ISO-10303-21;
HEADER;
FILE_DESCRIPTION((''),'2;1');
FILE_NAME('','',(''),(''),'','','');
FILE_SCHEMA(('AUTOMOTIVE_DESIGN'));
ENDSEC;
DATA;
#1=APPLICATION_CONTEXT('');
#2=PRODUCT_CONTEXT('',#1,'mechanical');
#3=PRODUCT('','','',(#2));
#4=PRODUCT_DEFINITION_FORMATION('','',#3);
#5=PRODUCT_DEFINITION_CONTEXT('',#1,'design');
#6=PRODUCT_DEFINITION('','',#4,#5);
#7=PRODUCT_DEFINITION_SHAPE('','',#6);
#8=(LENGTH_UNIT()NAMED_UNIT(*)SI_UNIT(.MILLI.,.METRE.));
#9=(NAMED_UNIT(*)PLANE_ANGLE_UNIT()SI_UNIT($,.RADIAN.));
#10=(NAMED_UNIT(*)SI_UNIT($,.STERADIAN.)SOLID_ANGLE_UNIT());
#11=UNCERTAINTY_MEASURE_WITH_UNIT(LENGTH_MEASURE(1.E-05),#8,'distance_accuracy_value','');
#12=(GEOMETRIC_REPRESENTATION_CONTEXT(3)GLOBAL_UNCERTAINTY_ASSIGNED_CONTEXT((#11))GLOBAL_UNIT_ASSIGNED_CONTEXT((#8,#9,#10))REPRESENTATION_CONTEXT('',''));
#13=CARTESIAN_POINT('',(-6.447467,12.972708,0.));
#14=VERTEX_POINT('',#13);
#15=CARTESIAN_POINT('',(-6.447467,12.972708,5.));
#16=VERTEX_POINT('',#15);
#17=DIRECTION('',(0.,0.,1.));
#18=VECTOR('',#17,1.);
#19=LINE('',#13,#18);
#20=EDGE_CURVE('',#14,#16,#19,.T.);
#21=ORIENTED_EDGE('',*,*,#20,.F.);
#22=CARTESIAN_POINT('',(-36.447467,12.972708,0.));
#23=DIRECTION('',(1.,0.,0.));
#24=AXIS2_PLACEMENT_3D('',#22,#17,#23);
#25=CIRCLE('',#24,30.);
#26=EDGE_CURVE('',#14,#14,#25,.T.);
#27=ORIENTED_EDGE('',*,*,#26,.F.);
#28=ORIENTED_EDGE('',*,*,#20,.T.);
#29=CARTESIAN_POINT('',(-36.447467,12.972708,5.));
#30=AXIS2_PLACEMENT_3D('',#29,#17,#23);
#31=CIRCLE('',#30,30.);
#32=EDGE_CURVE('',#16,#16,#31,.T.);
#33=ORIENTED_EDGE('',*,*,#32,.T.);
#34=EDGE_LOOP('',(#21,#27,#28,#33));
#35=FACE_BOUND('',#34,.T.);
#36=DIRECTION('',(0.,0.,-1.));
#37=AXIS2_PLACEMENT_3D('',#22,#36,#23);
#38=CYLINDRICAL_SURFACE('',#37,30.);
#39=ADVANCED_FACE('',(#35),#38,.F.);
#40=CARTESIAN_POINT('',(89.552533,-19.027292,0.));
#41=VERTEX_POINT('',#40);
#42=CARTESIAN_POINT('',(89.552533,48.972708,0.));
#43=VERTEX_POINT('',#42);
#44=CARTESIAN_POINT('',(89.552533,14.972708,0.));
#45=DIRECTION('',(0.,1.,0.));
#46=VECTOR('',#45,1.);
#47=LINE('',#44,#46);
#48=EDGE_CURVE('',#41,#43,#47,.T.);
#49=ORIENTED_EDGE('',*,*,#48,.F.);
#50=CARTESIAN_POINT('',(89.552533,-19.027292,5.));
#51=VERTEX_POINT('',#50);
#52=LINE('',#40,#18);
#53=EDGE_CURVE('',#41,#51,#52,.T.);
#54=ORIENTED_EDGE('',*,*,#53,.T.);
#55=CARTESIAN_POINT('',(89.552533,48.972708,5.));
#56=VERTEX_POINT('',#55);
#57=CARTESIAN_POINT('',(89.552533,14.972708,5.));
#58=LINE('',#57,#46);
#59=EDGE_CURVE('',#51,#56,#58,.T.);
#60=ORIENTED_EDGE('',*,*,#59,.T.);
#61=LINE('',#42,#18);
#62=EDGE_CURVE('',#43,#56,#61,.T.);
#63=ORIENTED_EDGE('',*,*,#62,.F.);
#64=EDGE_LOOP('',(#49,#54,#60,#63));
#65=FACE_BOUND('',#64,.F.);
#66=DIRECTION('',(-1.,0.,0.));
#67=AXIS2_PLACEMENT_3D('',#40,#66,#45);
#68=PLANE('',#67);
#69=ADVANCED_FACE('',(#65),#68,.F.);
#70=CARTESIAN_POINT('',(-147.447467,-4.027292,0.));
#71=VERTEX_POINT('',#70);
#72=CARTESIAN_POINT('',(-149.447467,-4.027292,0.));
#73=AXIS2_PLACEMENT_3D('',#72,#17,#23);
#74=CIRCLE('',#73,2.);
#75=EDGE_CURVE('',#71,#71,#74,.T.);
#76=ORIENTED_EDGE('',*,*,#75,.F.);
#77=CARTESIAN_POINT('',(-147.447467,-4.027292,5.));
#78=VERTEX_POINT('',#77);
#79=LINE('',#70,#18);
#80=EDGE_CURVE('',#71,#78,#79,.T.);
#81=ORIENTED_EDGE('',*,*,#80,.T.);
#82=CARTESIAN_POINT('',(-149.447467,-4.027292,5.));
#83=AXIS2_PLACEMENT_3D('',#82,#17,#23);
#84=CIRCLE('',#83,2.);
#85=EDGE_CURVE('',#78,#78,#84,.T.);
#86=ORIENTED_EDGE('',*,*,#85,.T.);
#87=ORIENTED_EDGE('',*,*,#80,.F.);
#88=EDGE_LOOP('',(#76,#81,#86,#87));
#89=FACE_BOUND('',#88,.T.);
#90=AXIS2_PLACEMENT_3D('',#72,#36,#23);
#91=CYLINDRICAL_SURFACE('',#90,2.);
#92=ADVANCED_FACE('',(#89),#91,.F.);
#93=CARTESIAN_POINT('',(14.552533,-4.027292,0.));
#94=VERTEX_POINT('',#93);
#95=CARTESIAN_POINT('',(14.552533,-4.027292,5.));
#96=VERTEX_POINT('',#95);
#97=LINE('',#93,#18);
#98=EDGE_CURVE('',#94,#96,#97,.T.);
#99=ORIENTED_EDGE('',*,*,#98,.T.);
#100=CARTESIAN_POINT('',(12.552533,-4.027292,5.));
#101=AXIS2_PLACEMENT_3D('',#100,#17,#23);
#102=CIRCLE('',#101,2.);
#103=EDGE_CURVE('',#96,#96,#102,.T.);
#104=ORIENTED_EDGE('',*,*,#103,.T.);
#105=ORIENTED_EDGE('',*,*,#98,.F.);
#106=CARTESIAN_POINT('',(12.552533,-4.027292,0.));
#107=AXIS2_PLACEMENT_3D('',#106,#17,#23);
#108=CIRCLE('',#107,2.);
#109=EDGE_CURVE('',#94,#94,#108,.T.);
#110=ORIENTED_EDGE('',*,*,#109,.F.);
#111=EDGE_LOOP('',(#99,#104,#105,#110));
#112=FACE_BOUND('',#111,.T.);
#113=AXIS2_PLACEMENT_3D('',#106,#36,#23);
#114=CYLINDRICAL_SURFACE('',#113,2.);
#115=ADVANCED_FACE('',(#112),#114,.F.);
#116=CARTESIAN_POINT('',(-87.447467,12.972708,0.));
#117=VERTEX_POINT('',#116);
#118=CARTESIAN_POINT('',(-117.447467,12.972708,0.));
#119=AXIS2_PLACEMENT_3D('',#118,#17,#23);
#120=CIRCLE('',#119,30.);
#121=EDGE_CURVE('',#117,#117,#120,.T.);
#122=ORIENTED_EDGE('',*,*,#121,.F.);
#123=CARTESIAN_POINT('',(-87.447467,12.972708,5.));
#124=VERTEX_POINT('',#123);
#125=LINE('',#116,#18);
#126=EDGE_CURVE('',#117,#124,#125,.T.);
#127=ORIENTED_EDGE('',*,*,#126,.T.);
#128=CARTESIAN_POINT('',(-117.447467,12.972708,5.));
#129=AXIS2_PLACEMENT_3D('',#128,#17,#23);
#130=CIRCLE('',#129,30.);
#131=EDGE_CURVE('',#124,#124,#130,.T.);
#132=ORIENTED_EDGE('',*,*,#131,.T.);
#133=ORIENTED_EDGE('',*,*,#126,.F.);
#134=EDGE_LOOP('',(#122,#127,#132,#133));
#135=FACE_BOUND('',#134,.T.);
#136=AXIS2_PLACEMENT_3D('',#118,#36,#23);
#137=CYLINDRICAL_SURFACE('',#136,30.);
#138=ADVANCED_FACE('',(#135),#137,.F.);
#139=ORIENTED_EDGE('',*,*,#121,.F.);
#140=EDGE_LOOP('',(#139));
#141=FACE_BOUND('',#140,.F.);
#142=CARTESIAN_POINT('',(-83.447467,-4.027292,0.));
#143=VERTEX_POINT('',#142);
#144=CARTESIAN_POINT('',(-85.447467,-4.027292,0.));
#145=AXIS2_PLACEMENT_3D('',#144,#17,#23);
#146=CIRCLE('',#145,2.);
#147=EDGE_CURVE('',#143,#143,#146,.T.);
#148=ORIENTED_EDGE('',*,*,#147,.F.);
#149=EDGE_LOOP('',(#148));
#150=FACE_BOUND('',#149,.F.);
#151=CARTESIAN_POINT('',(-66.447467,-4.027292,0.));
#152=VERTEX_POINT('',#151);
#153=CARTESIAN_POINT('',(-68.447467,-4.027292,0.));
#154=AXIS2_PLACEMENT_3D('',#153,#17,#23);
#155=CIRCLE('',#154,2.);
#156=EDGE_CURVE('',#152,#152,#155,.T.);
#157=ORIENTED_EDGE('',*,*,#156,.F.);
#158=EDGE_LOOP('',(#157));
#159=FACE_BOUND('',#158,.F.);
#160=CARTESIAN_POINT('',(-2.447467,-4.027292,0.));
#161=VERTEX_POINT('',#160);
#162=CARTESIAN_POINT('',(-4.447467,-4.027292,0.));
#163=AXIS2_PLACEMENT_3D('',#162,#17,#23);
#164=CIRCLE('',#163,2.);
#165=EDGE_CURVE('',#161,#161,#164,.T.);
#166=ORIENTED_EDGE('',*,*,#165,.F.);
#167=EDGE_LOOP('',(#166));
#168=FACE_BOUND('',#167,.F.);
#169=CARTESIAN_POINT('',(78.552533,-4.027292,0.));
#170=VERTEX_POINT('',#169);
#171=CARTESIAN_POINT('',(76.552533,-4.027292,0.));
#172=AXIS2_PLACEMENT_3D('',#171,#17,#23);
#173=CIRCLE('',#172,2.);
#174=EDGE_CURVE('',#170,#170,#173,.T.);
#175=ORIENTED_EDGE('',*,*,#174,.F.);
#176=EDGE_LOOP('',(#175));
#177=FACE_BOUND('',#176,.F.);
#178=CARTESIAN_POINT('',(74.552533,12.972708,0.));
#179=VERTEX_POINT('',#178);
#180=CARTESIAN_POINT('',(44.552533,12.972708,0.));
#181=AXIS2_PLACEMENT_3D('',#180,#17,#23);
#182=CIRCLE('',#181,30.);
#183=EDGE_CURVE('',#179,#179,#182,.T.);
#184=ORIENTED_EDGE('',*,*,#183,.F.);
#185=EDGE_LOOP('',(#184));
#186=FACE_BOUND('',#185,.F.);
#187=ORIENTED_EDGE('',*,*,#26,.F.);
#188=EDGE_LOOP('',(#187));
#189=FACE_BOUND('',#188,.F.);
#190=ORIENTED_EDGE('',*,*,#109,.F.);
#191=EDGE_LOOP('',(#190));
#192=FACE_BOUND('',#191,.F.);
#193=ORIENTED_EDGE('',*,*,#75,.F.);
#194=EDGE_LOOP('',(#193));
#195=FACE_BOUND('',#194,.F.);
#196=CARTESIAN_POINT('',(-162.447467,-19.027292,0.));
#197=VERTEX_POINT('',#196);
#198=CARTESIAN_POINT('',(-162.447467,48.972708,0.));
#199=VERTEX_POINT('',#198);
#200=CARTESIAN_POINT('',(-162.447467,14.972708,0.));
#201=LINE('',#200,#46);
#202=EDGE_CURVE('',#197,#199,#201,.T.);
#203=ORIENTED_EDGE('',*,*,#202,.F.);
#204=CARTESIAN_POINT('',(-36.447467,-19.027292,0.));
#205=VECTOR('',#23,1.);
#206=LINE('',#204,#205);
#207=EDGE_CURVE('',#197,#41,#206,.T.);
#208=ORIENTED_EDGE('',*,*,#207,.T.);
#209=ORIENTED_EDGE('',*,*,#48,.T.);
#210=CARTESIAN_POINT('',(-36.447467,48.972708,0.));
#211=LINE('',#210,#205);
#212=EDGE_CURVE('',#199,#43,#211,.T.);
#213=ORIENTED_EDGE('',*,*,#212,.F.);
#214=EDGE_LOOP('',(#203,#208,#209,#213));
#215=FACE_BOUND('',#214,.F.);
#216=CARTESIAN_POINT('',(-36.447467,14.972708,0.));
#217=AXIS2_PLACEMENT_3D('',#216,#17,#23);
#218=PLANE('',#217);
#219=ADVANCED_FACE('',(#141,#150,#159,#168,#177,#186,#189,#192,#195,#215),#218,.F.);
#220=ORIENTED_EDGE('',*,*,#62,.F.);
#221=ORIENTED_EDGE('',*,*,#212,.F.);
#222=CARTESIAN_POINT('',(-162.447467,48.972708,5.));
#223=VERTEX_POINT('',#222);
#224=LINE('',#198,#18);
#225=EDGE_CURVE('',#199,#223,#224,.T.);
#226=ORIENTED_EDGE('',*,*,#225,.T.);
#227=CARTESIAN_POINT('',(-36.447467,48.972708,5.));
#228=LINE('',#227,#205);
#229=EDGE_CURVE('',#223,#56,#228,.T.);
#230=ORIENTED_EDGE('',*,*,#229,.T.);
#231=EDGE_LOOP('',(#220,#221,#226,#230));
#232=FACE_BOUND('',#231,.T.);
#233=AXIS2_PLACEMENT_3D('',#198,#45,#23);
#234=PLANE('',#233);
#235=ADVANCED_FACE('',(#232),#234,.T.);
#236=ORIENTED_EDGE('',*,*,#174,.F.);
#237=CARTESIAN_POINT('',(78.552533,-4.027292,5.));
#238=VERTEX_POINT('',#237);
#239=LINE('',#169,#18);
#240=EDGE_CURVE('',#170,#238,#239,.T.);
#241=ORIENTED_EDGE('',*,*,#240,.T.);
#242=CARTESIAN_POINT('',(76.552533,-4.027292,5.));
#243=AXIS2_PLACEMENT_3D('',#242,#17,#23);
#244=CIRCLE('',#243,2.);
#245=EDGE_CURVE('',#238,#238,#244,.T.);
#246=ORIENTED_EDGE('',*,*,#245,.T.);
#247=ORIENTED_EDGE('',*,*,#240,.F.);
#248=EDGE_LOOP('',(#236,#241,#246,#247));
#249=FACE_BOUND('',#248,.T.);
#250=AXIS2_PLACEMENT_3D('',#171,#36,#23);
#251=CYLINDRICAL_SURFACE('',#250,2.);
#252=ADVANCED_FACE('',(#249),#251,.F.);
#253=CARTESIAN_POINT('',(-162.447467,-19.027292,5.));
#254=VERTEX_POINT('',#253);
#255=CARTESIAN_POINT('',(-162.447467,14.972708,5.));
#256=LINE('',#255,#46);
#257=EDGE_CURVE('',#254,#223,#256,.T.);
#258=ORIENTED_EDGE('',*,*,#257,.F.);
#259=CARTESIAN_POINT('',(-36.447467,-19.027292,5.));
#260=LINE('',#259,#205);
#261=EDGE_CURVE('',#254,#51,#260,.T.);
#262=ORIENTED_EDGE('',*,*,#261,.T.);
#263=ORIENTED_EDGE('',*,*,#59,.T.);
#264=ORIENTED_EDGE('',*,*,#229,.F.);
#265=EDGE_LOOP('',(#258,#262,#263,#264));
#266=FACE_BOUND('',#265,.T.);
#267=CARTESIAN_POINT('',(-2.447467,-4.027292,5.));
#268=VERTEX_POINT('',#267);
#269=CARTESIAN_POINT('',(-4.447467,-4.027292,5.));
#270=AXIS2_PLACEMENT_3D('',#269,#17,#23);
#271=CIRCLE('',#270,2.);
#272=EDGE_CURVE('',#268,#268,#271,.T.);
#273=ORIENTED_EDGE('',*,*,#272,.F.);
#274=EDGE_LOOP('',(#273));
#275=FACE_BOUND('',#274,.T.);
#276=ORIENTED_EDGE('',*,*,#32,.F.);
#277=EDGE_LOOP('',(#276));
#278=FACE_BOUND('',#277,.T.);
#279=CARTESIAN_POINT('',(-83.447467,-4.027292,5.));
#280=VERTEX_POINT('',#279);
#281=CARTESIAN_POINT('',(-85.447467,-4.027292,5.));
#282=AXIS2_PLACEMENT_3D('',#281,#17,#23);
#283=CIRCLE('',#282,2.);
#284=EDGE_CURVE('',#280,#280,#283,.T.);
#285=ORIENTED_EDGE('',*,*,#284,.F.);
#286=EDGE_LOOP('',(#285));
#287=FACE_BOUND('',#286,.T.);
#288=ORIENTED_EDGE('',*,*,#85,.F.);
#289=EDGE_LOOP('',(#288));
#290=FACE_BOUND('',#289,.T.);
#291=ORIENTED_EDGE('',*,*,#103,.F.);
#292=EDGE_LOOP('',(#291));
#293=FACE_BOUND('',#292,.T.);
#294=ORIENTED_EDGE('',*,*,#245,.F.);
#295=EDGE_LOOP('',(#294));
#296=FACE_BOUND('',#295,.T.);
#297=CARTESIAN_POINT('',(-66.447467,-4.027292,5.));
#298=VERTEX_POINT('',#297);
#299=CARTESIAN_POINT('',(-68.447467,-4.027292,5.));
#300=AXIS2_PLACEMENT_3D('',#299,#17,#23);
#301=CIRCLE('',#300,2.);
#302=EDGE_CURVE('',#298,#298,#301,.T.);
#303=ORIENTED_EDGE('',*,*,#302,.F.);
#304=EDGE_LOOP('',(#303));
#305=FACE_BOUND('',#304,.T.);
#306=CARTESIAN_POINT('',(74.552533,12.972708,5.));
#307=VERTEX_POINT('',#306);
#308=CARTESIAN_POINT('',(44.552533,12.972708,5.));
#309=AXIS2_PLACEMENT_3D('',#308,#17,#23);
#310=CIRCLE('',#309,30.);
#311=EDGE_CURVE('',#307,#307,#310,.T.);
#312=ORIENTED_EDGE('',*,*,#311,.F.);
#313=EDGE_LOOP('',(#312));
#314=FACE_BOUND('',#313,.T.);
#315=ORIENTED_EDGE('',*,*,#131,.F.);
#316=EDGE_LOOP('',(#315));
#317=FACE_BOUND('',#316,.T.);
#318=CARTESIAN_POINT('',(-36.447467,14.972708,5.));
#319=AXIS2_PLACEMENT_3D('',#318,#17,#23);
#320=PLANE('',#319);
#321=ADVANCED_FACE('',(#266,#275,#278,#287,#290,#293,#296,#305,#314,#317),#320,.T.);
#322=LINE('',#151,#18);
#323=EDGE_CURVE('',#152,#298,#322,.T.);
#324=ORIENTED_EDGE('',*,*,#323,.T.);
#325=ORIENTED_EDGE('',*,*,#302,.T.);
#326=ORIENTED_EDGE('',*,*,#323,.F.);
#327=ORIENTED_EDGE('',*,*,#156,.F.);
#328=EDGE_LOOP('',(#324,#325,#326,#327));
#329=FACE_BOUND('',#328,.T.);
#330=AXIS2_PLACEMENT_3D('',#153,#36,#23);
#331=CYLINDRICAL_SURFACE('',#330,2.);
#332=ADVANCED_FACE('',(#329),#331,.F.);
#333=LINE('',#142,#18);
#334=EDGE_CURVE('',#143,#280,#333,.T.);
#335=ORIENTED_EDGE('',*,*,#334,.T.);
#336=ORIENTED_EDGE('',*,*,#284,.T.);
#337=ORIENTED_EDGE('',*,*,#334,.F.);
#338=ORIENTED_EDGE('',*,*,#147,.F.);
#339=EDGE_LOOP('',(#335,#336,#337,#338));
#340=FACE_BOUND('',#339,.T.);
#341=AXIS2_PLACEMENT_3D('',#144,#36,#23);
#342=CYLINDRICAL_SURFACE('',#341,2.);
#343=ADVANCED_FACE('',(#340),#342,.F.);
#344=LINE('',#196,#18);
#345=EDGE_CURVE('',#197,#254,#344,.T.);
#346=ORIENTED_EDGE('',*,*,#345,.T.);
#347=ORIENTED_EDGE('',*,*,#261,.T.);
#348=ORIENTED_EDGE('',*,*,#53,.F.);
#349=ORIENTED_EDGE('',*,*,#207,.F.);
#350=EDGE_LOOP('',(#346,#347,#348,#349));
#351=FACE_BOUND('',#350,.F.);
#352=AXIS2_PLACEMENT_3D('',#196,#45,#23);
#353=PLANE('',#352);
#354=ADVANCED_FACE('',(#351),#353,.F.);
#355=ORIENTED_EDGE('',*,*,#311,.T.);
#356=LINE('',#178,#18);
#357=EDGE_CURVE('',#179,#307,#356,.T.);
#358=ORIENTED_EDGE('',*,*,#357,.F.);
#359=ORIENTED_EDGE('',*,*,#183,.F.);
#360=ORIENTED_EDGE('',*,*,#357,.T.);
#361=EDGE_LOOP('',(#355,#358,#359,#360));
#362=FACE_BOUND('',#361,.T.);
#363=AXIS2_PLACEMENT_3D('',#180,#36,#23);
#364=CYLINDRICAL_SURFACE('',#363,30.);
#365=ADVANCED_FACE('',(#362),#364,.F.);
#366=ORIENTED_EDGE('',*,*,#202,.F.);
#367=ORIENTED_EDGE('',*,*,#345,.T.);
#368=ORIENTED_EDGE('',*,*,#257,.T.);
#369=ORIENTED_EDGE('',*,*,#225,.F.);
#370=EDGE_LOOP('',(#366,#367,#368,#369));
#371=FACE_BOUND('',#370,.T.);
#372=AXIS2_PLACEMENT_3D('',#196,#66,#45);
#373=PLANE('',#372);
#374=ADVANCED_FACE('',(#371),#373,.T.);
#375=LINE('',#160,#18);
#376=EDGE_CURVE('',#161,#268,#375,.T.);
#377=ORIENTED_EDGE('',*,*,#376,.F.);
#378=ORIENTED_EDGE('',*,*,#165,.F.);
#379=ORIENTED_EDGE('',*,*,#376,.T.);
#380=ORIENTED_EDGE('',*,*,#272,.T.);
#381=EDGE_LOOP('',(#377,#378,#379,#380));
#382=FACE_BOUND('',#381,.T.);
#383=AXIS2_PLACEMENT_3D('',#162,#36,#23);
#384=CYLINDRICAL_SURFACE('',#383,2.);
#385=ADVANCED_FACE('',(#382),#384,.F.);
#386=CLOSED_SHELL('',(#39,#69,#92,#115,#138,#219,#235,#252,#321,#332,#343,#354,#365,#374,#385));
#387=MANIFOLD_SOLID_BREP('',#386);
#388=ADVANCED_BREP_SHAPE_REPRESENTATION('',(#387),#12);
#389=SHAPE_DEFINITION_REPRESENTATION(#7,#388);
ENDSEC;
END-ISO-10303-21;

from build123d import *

# Parameters (mm, degrees)
F0_W     = 252
F0_H     = 68
F0_R     = 2
F0_R_2   = 30
F1_DEPTH = 5


with BuildPart() as f1:
    # F0 (on Top) → F1 (new body)
    with BuildSketch(Plane.XY):
        with Locations((-36.447467, 14.972708)):
            Rectangle(F0_W, F0_H)
        with Locations((-149.447467, -4.027292)):
            Circle(F0_R, mode=Mode.SUBTRACT)
        with Locations((-85.447467, -4.027292)):
            Circle(F0_R, mode=Mode.SUBTRACT)
        with Locations((-68.447467, -4.027292)):
            Circle(F0_R, mode=Mode.SUBTRACT)
        with Locations((-117.447467, 12.972708)):
            Circle(F0_R_2, mode=Mode.SUBTRACT)
        with Locations((-4.447467, -4.027292)):
            Circle(F0_R, mode=Mode.SUBTRACT)
        with Locations((12.552533, -4.027292)):
            Circle(F0_R, mode=Mode.SUBTRACT)
        with Locations((76.552533, -4.027292)):
            Circle(F0_R, mode=Mode.SUBTRACT)
        with Locations((-36.447467, 12.972708)):
            Circle(F0_R_2, mode=Mode.SUBTRACT)
        with Locations((44.552533, 12.972708)):
            Circle(F0_R_2, mode=Mode.SUBTRACT)
    extrude(amount=F1_DEPTH)


solid = f1.part
